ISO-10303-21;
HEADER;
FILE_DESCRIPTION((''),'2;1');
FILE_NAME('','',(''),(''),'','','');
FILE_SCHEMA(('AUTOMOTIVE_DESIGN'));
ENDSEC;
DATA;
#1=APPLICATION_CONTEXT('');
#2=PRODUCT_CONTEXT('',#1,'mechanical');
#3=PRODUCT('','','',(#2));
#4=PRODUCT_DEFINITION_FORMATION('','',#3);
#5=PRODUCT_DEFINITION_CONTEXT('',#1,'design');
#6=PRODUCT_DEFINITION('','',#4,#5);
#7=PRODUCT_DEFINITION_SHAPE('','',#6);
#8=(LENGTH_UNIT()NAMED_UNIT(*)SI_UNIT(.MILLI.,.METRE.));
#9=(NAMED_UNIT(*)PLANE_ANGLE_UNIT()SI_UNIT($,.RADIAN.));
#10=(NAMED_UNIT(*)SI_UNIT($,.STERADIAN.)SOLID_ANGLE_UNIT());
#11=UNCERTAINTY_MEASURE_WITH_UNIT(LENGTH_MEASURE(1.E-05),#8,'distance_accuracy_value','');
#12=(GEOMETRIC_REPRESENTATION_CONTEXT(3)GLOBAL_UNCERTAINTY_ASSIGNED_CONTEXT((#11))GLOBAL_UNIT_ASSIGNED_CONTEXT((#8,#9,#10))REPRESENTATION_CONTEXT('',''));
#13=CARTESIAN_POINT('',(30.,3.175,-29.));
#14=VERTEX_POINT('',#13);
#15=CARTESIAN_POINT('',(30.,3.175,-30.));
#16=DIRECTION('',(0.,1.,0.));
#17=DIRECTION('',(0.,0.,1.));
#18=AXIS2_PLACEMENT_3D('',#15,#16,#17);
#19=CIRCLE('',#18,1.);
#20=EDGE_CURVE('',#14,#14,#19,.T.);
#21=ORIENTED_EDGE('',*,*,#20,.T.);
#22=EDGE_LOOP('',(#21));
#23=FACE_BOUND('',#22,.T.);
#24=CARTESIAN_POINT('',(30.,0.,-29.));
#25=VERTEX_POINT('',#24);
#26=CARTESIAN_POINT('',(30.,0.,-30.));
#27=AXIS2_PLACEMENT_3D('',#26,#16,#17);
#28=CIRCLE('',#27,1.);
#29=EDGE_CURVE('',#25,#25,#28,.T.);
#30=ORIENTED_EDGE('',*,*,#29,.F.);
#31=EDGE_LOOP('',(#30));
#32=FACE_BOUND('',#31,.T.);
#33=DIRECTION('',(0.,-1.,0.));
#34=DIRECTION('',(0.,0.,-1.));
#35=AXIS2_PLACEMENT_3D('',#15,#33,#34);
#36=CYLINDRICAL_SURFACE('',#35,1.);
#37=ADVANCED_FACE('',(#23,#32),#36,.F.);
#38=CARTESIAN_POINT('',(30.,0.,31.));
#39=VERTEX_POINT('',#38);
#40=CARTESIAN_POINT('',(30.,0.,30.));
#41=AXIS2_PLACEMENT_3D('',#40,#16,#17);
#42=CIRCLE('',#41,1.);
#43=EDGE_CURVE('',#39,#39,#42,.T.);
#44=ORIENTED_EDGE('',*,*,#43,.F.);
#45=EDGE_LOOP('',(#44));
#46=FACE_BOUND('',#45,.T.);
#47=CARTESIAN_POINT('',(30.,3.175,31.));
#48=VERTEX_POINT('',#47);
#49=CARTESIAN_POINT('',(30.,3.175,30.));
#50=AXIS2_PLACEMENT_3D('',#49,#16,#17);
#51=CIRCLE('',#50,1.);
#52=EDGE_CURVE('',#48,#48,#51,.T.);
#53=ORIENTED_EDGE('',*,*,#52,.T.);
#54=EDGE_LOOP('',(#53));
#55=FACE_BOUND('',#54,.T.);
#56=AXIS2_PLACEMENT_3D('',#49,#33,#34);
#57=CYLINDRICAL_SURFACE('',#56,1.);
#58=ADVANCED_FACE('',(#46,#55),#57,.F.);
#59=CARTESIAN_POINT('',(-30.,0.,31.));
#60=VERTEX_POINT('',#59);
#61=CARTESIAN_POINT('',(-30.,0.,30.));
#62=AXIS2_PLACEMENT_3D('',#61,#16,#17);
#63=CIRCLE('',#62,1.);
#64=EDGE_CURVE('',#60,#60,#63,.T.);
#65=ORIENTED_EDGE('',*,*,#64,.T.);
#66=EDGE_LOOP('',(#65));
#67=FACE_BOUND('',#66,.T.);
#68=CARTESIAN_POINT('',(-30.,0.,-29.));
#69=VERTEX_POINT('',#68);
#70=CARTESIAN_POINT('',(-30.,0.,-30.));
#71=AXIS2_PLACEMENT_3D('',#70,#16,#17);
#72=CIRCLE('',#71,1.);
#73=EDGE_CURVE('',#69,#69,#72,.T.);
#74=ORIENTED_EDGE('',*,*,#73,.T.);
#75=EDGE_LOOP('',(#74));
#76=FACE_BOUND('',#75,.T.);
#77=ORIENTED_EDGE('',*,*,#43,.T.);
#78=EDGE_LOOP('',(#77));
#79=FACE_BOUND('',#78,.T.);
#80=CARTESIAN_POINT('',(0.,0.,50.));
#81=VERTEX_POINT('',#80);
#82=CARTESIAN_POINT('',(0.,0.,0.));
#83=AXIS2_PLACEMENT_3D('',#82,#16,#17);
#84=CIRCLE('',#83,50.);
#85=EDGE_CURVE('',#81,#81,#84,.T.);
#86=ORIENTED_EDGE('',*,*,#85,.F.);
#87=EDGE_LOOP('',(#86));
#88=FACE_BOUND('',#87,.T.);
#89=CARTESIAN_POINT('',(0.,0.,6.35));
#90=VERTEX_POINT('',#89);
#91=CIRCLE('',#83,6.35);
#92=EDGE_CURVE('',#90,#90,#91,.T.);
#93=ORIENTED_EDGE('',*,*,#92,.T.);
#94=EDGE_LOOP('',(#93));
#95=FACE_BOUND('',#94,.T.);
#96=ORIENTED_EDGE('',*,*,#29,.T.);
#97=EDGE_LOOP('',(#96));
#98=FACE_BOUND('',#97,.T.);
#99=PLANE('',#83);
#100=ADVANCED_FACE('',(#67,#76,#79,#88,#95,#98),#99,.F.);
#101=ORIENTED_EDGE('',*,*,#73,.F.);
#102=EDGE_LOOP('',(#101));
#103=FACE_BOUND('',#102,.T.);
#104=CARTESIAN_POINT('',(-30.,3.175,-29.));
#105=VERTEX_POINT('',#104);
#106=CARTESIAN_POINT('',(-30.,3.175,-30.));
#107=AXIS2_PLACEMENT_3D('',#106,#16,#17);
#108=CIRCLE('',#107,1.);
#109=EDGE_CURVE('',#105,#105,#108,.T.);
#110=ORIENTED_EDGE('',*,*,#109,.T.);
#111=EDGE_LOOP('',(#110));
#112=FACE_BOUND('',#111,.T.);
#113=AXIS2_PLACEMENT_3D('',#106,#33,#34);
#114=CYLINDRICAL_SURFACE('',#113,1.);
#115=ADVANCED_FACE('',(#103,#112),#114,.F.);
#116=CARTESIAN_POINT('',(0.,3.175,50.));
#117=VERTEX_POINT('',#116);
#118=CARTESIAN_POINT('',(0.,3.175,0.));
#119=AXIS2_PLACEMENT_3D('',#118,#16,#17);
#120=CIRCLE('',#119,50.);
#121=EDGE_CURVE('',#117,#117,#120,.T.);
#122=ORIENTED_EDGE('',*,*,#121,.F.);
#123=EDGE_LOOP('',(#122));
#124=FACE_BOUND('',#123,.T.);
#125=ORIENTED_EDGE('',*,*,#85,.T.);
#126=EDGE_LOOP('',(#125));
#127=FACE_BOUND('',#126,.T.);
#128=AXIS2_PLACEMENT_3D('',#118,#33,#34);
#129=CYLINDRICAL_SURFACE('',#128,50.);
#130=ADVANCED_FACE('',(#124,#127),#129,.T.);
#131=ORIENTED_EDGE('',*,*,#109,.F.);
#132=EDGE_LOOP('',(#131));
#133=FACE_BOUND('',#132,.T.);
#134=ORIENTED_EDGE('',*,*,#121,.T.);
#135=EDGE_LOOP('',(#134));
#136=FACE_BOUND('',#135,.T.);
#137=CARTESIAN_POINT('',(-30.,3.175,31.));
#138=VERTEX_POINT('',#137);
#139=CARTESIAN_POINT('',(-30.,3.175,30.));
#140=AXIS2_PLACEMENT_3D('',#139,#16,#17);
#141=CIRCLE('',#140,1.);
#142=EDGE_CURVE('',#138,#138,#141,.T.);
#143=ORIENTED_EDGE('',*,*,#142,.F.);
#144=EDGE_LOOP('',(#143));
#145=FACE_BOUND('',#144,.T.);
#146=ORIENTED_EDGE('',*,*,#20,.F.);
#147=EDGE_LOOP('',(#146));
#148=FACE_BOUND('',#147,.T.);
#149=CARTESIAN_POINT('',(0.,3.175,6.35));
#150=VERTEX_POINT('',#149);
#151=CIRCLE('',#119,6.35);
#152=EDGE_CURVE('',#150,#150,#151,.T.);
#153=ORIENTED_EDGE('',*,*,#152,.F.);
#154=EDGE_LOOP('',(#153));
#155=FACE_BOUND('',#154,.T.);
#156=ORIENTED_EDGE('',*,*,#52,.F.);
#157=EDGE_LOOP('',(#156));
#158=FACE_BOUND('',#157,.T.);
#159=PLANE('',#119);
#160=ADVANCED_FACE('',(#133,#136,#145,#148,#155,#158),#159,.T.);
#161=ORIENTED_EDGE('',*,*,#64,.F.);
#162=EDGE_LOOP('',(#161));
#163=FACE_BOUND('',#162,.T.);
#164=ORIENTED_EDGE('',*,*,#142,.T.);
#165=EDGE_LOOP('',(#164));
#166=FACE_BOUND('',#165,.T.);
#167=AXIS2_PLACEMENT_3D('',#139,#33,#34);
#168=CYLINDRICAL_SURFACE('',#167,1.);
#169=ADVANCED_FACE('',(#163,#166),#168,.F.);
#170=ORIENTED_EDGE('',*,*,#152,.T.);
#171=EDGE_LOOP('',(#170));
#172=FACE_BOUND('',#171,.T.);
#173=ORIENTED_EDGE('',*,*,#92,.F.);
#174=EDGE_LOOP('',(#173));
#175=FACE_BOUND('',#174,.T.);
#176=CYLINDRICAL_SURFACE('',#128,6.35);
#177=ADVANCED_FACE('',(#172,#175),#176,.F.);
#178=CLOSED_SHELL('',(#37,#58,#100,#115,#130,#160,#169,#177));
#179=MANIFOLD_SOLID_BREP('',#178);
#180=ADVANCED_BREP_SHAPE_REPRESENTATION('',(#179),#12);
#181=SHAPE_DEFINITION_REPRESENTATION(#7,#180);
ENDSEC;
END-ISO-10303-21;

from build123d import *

# Parameters (mm, degrees)
SKETCH1_R           = 50
SKETCH1_R_2         = 1
SKETCH1_R_3         = 6.35
BOSS_EXTRUDE1_DEPTH = 3.175


with BuildPart() as part:
    # Sketch1 → Boss-Extrude1 (new body)
    with BuildSketch(Plane(origin=(0, 0, 0), x_dir=(1, 0, 0), z_dir=(0, 1, 0))):
        Circle(SKETCH1_R)
        with Locations((-30, 30)):
            Circle(SKETCH1_R_2, mode=Mode.SUBTRACT)
        with Locations((30, 30)):
            Circle(SKETCH1_R_2, mode=Mode.SUBTRACT)
        with Locations((30, -30)):
            Circle(SKETCH1_R_2, mode=Mode.SUBTRACT)
        with Locations((-30, -30)):
            Circle(SKETCH1_R_2, mode=Mode.SUBTRACT)
        Circle(SKETCH1_R_3, mode=Mode.SUBTRACT)
    extrude(amount=BOSS_EXTRUDE1_DEPTH)


solid = part.part
